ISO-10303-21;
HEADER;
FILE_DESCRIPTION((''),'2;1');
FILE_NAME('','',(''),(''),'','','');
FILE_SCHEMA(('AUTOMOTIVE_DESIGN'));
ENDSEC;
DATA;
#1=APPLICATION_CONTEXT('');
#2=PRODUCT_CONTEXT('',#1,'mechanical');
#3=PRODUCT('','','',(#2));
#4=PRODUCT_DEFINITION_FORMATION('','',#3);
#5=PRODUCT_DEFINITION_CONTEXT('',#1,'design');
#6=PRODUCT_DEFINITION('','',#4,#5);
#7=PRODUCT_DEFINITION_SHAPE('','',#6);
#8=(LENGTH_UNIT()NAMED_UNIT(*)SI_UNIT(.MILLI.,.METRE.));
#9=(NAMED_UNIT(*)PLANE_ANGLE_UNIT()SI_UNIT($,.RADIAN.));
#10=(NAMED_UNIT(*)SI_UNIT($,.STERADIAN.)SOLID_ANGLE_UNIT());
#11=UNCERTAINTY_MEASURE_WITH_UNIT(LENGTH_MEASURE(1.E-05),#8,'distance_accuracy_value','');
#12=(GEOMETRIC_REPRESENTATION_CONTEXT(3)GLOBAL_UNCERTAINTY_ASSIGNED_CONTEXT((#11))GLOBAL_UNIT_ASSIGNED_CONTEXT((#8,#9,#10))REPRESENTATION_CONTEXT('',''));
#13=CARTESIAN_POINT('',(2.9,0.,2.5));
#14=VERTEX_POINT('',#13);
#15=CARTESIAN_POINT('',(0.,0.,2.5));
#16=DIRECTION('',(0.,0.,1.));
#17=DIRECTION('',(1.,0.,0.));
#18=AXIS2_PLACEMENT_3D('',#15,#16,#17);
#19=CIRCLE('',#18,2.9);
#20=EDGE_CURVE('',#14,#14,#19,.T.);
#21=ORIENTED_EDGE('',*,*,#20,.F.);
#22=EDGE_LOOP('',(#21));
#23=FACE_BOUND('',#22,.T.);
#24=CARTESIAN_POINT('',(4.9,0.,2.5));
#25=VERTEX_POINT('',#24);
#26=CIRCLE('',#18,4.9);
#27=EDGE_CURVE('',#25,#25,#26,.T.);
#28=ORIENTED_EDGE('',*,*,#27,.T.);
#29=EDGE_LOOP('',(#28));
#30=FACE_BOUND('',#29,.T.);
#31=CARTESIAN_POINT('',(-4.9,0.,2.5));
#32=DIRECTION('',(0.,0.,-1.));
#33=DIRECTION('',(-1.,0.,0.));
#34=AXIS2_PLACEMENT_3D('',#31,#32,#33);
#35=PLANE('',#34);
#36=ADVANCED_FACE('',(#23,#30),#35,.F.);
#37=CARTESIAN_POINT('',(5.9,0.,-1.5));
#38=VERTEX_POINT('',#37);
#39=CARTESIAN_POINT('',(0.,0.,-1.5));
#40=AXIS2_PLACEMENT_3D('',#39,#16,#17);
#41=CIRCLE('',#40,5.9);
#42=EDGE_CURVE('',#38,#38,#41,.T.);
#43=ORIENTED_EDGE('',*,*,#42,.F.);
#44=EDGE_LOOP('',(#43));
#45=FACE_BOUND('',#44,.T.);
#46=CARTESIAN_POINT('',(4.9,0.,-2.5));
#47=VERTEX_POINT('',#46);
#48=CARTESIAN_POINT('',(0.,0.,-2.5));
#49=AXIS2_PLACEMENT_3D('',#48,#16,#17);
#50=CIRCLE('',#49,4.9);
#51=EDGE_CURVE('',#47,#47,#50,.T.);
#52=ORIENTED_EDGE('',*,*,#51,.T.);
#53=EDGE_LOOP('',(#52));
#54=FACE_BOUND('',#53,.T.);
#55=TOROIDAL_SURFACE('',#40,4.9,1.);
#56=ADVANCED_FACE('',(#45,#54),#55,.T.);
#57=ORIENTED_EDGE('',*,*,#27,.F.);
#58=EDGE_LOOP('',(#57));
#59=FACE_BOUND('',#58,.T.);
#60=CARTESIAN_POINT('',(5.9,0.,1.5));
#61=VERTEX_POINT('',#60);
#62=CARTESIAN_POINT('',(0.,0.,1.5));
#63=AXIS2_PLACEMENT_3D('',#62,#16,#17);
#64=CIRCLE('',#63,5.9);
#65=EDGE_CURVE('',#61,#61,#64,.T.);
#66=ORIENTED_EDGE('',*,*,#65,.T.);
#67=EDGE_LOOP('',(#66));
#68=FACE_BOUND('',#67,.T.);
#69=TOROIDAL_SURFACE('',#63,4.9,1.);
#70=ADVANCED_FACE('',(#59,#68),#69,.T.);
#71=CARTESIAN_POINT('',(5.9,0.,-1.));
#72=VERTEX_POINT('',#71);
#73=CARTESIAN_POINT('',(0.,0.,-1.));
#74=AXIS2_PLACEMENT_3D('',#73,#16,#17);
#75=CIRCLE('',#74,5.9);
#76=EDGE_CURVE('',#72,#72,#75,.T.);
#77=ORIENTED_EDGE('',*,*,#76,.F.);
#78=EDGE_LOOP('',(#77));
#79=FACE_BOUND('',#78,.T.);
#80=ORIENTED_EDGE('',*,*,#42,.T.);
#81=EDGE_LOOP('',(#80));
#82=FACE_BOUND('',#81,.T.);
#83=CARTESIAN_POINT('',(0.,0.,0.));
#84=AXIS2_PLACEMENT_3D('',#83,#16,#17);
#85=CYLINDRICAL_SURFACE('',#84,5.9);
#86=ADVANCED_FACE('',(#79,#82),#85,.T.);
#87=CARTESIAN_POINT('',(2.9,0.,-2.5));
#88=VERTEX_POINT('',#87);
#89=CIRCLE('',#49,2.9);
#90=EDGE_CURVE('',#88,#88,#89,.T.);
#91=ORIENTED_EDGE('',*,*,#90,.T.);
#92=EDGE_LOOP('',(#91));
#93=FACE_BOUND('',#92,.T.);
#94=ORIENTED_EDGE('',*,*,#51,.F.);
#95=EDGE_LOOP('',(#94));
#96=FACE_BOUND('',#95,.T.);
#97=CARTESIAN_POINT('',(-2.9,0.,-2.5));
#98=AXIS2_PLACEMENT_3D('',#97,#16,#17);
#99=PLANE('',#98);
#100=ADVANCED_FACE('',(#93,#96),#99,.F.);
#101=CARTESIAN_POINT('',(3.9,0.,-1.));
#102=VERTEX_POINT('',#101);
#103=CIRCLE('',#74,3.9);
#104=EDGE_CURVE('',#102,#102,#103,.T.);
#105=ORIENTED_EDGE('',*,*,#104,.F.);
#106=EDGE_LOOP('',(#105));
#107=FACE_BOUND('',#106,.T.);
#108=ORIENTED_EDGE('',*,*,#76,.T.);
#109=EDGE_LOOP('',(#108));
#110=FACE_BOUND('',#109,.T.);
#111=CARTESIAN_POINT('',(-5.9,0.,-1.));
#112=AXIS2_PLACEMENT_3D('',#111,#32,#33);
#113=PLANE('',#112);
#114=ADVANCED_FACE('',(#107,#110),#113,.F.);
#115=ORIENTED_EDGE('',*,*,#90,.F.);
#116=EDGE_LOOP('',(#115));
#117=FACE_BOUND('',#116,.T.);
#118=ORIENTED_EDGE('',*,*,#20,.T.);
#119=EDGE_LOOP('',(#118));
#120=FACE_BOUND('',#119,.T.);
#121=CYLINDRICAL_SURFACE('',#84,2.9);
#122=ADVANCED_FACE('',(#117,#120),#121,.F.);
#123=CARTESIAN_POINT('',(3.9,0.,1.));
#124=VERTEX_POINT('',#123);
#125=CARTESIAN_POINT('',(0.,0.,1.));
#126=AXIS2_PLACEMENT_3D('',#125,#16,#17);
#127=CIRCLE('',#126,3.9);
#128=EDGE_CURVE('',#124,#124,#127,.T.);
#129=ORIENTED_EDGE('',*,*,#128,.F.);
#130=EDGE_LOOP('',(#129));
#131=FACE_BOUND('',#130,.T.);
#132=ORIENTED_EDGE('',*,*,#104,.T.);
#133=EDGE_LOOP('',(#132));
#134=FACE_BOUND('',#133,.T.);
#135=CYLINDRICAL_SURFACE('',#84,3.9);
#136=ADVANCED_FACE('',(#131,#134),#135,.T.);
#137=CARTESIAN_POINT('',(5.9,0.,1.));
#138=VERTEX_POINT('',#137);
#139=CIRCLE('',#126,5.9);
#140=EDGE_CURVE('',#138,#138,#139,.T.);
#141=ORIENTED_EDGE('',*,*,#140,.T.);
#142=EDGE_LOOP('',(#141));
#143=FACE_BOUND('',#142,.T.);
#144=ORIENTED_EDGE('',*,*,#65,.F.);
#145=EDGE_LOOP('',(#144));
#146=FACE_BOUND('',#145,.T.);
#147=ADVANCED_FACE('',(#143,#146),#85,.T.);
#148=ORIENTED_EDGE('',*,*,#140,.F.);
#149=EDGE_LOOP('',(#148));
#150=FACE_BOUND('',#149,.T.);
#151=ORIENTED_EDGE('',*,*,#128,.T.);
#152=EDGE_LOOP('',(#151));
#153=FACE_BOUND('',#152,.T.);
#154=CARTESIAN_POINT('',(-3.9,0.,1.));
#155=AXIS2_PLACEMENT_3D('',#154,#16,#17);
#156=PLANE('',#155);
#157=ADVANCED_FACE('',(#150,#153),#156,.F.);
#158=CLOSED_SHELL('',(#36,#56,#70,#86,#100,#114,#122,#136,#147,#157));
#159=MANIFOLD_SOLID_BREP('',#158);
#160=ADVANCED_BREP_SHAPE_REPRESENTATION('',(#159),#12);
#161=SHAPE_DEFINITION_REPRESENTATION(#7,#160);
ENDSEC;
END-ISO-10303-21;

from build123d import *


with BuildPart() as part:
    # Çizim2 → Döndür2 (revolve)
    with BuildSketch(Plane(origin=(0, 0, 0), x_dir=(0, 0, -1), z_dir=(0, 1, 0)), mode=Mode.PRIVATE) as d_nd_r2_sk:
        with BuildLine():
            Line((-2.5, 2.9), (2.5, 2.9))
            Line((2.5, 2.9), (2.5, 4.9))
            ThreePointArc((2.5, 4.9), (2.207106781, 5.607106781), (1.5, 5.9))
            Line((1.5, 5.9), (1, 5.9))
            Line((1, 5.9), (1, 3.9))
            Line((1, 3.9), (-1, 3.9))
            Line((-1, 3.9), (-1, 5.9))
            Line((-1, 5.9), (-1.5, 5.9))
            ThreePointArc((-1.5, 5.9), (-2.207106781, 5.607106781), (-2.5, 4.9))
            Line((-2.5, 4.9), (-2.5, 2.9))
        make_face()
    revolve(d_nd_r2_sk.sketch.rotate(Axis((0, 0, 0), (0, 0, -1)), 180), axis=Axis((0, 0, 0), (0, 0, -1)))


solid = part.part
